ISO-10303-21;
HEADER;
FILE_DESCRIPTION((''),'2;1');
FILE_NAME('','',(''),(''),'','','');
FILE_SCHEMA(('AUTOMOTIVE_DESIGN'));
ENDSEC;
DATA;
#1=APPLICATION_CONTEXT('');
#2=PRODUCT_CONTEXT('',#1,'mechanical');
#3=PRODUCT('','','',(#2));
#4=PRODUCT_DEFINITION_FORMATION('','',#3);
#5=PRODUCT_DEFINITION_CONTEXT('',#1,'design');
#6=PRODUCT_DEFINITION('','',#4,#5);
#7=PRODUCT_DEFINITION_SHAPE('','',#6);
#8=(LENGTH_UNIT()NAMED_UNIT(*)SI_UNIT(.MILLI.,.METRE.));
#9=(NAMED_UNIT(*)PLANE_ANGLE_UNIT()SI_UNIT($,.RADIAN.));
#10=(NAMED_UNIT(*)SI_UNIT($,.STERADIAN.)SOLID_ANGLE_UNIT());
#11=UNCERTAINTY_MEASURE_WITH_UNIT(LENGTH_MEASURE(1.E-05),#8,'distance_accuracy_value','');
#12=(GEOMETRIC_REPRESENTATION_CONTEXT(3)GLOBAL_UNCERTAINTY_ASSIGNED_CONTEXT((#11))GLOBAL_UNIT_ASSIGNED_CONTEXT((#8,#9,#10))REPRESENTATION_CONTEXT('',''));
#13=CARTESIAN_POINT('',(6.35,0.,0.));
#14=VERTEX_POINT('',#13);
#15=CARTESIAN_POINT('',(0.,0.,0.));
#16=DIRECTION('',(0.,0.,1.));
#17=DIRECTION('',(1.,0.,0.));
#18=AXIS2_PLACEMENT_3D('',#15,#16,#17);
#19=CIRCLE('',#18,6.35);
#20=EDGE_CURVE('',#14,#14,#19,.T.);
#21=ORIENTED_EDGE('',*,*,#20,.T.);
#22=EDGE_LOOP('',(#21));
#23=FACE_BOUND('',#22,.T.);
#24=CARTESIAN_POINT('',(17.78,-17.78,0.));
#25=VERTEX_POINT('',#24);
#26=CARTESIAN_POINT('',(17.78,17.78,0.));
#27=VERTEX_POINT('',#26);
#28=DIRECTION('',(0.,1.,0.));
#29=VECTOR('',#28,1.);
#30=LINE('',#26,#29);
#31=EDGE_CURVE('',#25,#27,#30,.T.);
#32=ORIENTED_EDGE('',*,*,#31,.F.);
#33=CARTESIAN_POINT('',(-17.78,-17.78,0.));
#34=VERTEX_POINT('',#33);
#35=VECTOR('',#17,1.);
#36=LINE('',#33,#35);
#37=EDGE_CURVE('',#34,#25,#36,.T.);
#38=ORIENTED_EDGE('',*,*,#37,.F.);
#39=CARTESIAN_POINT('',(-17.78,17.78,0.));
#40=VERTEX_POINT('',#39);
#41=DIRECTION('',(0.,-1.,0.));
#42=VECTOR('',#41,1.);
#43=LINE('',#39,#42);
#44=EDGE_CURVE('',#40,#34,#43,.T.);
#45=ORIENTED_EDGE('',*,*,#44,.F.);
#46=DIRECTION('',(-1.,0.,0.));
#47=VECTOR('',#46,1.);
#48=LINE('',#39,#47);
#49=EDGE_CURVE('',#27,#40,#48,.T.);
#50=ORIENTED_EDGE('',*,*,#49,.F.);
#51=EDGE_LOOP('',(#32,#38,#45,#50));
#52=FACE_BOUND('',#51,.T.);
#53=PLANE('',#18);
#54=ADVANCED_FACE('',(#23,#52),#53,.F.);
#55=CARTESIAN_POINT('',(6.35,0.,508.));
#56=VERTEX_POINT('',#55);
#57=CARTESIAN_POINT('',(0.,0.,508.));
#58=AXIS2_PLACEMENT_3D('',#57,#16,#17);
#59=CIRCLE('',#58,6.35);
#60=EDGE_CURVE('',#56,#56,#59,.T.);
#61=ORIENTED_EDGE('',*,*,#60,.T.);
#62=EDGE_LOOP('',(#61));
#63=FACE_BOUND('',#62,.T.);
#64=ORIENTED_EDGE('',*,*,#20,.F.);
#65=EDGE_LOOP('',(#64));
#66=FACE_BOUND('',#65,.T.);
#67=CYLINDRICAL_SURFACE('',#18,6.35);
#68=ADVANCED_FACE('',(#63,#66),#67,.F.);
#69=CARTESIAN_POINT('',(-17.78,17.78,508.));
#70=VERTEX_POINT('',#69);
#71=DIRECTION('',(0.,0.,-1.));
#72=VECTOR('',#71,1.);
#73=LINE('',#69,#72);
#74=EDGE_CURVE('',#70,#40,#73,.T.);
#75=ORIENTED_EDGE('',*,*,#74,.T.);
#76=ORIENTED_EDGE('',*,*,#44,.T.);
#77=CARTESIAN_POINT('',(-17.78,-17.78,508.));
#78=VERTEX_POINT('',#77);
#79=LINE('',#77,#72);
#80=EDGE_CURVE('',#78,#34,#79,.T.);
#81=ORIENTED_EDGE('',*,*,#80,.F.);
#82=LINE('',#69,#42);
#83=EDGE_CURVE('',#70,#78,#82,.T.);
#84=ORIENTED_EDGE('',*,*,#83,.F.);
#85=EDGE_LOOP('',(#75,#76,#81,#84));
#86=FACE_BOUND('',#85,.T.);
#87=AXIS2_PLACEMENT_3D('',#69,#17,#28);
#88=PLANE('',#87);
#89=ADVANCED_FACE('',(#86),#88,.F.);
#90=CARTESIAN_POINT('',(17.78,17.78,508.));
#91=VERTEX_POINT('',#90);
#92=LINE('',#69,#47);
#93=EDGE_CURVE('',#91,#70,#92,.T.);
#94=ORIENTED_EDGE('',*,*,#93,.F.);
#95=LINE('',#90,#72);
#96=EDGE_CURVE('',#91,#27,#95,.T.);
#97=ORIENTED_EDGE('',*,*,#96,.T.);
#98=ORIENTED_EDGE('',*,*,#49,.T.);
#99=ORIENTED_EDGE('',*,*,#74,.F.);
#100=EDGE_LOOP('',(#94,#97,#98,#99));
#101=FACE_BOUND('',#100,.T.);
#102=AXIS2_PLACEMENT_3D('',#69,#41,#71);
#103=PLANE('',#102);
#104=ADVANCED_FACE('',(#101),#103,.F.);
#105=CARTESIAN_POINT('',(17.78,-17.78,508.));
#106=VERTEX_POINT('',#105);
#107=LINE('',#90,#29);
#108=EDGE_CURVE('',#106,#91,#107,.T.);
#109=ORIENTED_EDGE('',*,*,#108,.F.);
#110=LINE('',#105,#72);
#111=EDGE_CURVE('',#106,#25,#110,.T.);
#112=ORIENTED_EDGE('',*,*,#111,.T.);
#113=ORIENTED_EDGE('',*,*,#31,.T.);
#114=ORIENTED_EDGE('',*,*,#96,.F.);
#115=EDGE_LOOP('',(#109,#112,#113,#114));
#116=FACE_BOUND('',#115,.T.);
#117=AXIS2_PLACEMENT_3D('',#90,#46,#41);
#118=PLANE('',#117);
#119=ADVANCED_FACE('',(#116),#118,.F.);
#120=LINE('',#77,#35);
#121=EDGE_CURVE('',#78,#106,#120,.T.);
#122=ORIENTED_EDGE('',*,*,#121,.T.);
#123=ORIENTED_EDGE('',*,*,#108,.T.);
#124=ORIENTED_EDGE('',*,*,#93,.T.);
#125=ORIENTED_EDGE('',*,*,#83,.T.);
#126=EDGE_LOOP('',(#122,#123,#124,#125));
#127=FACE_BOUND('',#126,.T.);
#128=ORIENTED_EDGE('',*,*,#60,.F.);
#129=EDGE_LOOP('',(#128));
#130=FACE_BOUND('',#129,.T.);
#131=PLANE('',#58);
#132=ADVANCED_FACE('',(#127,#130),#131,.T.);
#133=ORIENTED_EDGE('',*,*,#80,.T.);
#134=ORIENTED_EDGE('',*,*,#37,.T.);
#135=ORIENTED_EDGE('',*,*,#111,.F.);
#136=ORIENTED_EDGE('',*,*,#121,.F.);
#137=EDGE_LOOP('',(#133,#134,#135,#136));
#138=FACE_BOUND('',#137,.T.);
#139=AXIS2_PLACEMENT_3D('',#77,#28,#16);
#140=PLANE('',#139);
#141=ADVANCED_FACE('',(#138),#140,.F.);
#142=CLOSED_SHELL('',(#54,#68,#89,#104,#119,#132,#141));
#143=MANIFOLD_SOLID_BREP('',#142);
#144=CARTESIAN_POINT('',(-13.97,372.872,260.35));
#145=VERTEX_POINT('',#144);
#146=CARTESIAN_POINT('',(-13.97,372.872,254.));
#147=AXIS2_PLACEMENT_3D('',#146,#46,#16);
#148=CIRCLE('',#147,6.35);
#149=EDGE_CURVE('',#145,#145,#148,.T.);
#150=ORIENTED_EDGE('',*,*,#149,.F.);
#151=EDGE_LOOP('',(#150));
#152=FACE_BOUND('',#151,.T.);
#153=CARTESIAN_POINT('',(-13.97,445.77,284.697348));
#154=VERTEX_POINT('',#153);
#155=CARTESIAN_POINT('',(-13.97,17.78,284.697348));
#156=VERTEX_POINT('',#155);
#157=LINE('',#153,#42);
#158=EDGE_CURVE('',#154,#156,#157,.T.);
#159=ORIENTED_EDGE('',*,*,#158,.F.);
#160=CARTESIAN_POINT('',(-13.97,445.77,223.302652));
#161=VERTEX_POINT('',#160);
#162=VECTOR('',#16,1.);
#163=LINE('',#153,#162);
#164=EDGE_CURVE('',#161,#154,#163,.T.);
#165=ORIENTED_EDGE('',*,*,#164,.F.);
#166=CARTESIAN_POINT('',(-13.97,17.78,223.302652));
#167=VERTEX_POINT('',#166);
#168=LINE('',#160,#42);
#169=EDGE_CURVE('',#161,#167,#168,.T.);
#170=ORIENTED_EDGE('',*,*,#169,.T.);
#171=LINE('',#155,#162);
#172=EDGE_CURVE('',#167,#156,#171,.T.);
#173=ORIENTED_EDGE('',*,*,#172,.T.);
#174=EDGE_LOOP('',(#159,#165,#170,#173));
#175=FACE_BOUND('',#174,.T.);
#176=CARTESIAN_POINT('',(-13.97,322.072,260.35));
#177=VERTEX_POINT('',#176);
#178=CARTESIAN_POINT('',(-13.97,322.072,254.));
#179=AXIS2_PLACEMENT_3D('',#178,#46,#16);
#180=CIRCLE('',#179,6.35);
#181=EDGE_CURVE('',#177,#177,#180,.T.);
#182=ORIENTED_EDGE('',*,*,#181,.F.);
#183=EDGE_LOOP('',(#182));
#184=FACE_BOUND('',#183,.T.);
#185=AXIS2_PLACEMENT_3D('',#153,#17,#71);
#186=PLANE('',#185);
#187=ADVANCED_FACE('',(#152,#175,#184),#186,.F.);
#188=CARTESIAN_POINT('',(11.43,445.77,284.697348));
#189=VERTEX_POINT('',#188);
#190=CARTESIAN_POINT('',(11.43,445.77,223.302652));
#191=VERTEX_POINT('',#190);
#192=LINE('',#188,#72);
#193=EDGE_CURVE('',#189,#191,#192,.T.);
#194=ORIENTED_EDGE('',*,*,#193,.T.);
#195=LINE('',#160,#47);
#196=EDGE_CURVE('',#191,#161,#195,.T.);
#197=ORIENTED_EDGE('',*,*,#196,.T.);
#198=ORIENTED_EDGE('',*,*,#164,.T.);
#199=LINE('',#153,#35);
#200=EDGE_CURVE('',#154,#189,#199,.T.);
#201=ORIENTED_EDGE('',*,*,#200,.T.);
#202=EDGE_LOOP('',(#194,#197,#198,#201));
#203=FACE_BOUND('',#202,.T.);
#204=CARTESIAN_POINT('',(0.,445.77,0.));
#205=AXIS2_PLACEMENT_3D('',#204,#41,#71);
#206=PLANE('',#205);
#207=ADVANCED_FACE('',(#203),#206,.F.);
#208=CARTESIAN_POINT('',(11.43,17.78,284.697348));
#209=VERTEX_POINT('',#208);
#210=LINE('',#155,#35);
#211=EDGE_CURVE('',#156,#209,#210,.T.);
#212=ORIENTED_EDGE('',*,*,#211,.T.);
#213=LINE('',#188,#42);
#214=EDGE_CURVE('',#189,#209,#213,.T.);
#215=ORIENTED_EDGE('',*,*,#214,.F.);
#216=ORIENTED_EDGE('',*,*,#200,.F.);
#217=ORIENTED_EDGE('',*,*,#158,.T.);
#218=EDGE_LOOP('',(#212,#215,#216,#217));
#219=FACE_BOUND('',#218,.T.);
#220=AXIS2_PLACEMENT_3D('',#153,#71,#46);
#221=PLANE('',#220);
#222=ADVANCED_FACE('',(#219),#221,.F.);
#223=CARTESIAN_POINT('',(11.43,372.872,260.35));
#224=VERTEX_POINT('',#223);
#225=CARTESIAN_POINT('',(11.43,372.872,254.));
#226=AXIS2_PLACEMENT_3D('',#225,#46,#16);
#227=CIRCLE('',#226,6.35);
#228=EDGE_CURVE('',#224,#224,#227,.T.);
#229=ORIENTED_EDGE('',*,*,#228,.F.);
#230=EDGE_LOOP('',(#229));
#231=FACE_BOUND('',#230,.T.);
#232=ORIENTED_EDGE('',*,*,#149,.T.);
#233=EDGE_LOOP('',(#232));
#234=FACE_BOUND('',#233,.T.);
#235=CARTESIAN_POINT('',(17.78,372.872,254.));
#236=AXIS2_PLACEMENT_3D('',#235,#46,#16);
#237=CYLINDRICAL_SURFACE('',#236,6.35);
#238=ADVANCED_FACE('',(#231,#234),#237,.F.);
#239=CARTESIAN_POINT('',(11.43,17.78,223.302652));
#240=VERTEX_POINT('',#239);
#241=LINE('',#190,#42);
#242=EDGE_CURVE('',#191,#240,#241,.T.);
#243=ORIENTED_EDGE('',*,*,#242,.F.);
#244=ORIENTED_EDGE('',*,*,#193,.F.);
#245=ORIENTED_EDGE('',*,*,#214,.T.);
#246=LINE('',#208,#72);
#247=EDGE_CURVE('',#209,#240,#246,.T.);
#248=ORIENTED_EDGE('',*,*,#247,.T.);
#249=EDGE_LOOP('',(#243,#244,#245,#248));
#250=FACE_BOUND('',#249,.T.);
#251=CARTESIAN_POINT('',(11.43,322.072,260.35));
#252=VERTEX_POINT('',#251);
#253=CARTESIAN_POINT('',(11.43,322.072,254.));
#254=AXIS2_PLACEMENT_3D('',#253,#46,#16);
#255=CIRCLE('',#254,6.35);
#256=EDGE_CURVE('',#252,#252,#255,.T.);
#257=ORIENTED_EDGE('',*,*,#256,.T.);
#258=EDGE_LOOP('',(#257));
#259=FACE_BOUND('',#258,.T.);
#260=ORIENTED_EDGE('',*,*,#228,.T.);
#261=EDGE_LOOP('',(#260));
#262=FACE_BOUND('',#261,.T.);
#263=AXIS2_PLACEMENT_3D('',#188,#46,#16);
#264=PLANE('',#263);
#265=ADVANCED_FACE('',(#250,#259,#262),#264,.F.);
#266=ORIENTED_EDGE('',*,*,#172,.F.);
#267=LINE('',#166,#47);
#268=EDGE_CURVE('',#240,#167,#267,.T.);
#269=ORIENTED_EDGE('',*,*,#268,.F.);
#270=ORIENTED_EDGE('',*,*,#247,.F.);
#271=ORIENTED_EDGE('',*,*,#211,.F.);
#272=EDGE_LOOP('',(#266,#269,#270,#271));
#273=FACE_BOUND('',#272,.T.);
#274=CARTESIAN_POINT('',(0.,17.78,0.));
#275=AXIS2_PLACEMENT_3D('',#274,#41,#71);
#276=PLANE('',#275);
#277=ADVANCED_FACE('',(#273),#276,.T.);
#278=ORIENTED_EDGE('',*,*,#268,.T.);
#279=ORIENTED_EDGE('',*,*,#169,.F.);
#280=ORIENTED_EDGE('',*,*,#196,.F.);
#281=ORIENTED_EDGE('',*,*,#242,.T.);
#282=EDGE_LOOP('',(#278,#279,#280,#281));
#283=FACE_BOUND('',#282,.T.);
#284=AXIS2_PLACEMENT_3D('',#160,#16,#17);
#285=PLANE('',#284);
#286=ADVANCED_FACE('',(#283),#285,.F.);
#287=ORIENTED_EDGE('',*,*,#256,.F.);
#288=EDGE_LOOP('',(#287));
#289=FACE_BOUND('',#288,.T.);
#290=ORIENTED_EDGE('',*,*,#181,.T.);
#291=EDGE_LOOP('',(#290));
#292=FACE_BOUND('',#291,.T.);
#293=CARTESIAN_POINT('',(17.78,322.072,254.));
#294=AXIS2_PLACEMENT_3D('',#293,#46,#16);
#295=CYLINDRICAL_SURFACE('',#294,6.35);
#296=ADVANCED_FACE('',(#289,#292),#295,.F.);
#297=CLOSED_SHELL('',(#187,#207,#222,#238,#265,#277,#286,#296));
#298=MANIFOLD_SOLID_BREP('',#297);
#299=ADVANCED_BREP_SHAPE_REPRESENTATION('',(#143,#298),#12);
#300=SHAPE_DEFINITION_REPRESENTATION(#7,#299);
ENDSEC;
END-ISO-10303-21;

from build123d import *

# Parameters (mm, degrees)
SKETCH1_W           = 35.56
SKETCH1_H           = 35.56
BOSS_EXTRUDE1_DEPTH = 508
SKETCH2_R           = 6.35
CUT_EXTRUDE1_DEPTH  = 509.621919307
SKETCH3_W           = 25.4
SKETCH3_H           = 61.394695038
BOSS_EXTRUDE2_DEPTH = 427.99
SKETCH4_R           = 6.35
CUT_EXTRUDE2_DEPTH  = 677.596597242


with BuildPart() as part:
    # Sketch1 → Boss-Extrude1 (new body)
    with BuildSketch(Plane.XY):
        Rectangle(SKETCH1_W, SKETCH1_H)
    extrude(amount=BOSS_EXTRUDE1_DEPTH)

    # Sketch2 → Cut-Extrude1 (cut, through all)
    with BuildSketch(Plane.XY.offset(508)):
        Circle(SKETCH2_R)
    extrude(amount=-CUT_EXTRUDE1_DEPTH, mode=Mode.SUBTRACT)


with BuildPart() as body_2:
    # Sketch3 → Boss-Extrude2 (new body)
    with BuildSketch(Plane(origin=(0, 17.78, 0), x_dir=(1, 0, 0), z_dir=(0, 1, 0))):
        with Locations((-1.27, -254)):
            Rectangle(SKETCH3_W, SKETCH3_H)
    extrude(amount=BOSS_EXTRUDE2_DEPTH)

    # Sketch4 → Cut-Extrude2 (cut, through all)
    with BuildSketch(Plane.ZY.offset(13.97)):
        with Locations((254, 372.872)):
            Circle(SKETCH4_R)
        with Locations((254, 322.072)):
            Circle(SKETCH4_R)
    extrude(amount=-CUT_EXTRUDE2_DEPTH, mode=Mode.SUBTRACT)


solid = Compound([part.part, body_2.part])
